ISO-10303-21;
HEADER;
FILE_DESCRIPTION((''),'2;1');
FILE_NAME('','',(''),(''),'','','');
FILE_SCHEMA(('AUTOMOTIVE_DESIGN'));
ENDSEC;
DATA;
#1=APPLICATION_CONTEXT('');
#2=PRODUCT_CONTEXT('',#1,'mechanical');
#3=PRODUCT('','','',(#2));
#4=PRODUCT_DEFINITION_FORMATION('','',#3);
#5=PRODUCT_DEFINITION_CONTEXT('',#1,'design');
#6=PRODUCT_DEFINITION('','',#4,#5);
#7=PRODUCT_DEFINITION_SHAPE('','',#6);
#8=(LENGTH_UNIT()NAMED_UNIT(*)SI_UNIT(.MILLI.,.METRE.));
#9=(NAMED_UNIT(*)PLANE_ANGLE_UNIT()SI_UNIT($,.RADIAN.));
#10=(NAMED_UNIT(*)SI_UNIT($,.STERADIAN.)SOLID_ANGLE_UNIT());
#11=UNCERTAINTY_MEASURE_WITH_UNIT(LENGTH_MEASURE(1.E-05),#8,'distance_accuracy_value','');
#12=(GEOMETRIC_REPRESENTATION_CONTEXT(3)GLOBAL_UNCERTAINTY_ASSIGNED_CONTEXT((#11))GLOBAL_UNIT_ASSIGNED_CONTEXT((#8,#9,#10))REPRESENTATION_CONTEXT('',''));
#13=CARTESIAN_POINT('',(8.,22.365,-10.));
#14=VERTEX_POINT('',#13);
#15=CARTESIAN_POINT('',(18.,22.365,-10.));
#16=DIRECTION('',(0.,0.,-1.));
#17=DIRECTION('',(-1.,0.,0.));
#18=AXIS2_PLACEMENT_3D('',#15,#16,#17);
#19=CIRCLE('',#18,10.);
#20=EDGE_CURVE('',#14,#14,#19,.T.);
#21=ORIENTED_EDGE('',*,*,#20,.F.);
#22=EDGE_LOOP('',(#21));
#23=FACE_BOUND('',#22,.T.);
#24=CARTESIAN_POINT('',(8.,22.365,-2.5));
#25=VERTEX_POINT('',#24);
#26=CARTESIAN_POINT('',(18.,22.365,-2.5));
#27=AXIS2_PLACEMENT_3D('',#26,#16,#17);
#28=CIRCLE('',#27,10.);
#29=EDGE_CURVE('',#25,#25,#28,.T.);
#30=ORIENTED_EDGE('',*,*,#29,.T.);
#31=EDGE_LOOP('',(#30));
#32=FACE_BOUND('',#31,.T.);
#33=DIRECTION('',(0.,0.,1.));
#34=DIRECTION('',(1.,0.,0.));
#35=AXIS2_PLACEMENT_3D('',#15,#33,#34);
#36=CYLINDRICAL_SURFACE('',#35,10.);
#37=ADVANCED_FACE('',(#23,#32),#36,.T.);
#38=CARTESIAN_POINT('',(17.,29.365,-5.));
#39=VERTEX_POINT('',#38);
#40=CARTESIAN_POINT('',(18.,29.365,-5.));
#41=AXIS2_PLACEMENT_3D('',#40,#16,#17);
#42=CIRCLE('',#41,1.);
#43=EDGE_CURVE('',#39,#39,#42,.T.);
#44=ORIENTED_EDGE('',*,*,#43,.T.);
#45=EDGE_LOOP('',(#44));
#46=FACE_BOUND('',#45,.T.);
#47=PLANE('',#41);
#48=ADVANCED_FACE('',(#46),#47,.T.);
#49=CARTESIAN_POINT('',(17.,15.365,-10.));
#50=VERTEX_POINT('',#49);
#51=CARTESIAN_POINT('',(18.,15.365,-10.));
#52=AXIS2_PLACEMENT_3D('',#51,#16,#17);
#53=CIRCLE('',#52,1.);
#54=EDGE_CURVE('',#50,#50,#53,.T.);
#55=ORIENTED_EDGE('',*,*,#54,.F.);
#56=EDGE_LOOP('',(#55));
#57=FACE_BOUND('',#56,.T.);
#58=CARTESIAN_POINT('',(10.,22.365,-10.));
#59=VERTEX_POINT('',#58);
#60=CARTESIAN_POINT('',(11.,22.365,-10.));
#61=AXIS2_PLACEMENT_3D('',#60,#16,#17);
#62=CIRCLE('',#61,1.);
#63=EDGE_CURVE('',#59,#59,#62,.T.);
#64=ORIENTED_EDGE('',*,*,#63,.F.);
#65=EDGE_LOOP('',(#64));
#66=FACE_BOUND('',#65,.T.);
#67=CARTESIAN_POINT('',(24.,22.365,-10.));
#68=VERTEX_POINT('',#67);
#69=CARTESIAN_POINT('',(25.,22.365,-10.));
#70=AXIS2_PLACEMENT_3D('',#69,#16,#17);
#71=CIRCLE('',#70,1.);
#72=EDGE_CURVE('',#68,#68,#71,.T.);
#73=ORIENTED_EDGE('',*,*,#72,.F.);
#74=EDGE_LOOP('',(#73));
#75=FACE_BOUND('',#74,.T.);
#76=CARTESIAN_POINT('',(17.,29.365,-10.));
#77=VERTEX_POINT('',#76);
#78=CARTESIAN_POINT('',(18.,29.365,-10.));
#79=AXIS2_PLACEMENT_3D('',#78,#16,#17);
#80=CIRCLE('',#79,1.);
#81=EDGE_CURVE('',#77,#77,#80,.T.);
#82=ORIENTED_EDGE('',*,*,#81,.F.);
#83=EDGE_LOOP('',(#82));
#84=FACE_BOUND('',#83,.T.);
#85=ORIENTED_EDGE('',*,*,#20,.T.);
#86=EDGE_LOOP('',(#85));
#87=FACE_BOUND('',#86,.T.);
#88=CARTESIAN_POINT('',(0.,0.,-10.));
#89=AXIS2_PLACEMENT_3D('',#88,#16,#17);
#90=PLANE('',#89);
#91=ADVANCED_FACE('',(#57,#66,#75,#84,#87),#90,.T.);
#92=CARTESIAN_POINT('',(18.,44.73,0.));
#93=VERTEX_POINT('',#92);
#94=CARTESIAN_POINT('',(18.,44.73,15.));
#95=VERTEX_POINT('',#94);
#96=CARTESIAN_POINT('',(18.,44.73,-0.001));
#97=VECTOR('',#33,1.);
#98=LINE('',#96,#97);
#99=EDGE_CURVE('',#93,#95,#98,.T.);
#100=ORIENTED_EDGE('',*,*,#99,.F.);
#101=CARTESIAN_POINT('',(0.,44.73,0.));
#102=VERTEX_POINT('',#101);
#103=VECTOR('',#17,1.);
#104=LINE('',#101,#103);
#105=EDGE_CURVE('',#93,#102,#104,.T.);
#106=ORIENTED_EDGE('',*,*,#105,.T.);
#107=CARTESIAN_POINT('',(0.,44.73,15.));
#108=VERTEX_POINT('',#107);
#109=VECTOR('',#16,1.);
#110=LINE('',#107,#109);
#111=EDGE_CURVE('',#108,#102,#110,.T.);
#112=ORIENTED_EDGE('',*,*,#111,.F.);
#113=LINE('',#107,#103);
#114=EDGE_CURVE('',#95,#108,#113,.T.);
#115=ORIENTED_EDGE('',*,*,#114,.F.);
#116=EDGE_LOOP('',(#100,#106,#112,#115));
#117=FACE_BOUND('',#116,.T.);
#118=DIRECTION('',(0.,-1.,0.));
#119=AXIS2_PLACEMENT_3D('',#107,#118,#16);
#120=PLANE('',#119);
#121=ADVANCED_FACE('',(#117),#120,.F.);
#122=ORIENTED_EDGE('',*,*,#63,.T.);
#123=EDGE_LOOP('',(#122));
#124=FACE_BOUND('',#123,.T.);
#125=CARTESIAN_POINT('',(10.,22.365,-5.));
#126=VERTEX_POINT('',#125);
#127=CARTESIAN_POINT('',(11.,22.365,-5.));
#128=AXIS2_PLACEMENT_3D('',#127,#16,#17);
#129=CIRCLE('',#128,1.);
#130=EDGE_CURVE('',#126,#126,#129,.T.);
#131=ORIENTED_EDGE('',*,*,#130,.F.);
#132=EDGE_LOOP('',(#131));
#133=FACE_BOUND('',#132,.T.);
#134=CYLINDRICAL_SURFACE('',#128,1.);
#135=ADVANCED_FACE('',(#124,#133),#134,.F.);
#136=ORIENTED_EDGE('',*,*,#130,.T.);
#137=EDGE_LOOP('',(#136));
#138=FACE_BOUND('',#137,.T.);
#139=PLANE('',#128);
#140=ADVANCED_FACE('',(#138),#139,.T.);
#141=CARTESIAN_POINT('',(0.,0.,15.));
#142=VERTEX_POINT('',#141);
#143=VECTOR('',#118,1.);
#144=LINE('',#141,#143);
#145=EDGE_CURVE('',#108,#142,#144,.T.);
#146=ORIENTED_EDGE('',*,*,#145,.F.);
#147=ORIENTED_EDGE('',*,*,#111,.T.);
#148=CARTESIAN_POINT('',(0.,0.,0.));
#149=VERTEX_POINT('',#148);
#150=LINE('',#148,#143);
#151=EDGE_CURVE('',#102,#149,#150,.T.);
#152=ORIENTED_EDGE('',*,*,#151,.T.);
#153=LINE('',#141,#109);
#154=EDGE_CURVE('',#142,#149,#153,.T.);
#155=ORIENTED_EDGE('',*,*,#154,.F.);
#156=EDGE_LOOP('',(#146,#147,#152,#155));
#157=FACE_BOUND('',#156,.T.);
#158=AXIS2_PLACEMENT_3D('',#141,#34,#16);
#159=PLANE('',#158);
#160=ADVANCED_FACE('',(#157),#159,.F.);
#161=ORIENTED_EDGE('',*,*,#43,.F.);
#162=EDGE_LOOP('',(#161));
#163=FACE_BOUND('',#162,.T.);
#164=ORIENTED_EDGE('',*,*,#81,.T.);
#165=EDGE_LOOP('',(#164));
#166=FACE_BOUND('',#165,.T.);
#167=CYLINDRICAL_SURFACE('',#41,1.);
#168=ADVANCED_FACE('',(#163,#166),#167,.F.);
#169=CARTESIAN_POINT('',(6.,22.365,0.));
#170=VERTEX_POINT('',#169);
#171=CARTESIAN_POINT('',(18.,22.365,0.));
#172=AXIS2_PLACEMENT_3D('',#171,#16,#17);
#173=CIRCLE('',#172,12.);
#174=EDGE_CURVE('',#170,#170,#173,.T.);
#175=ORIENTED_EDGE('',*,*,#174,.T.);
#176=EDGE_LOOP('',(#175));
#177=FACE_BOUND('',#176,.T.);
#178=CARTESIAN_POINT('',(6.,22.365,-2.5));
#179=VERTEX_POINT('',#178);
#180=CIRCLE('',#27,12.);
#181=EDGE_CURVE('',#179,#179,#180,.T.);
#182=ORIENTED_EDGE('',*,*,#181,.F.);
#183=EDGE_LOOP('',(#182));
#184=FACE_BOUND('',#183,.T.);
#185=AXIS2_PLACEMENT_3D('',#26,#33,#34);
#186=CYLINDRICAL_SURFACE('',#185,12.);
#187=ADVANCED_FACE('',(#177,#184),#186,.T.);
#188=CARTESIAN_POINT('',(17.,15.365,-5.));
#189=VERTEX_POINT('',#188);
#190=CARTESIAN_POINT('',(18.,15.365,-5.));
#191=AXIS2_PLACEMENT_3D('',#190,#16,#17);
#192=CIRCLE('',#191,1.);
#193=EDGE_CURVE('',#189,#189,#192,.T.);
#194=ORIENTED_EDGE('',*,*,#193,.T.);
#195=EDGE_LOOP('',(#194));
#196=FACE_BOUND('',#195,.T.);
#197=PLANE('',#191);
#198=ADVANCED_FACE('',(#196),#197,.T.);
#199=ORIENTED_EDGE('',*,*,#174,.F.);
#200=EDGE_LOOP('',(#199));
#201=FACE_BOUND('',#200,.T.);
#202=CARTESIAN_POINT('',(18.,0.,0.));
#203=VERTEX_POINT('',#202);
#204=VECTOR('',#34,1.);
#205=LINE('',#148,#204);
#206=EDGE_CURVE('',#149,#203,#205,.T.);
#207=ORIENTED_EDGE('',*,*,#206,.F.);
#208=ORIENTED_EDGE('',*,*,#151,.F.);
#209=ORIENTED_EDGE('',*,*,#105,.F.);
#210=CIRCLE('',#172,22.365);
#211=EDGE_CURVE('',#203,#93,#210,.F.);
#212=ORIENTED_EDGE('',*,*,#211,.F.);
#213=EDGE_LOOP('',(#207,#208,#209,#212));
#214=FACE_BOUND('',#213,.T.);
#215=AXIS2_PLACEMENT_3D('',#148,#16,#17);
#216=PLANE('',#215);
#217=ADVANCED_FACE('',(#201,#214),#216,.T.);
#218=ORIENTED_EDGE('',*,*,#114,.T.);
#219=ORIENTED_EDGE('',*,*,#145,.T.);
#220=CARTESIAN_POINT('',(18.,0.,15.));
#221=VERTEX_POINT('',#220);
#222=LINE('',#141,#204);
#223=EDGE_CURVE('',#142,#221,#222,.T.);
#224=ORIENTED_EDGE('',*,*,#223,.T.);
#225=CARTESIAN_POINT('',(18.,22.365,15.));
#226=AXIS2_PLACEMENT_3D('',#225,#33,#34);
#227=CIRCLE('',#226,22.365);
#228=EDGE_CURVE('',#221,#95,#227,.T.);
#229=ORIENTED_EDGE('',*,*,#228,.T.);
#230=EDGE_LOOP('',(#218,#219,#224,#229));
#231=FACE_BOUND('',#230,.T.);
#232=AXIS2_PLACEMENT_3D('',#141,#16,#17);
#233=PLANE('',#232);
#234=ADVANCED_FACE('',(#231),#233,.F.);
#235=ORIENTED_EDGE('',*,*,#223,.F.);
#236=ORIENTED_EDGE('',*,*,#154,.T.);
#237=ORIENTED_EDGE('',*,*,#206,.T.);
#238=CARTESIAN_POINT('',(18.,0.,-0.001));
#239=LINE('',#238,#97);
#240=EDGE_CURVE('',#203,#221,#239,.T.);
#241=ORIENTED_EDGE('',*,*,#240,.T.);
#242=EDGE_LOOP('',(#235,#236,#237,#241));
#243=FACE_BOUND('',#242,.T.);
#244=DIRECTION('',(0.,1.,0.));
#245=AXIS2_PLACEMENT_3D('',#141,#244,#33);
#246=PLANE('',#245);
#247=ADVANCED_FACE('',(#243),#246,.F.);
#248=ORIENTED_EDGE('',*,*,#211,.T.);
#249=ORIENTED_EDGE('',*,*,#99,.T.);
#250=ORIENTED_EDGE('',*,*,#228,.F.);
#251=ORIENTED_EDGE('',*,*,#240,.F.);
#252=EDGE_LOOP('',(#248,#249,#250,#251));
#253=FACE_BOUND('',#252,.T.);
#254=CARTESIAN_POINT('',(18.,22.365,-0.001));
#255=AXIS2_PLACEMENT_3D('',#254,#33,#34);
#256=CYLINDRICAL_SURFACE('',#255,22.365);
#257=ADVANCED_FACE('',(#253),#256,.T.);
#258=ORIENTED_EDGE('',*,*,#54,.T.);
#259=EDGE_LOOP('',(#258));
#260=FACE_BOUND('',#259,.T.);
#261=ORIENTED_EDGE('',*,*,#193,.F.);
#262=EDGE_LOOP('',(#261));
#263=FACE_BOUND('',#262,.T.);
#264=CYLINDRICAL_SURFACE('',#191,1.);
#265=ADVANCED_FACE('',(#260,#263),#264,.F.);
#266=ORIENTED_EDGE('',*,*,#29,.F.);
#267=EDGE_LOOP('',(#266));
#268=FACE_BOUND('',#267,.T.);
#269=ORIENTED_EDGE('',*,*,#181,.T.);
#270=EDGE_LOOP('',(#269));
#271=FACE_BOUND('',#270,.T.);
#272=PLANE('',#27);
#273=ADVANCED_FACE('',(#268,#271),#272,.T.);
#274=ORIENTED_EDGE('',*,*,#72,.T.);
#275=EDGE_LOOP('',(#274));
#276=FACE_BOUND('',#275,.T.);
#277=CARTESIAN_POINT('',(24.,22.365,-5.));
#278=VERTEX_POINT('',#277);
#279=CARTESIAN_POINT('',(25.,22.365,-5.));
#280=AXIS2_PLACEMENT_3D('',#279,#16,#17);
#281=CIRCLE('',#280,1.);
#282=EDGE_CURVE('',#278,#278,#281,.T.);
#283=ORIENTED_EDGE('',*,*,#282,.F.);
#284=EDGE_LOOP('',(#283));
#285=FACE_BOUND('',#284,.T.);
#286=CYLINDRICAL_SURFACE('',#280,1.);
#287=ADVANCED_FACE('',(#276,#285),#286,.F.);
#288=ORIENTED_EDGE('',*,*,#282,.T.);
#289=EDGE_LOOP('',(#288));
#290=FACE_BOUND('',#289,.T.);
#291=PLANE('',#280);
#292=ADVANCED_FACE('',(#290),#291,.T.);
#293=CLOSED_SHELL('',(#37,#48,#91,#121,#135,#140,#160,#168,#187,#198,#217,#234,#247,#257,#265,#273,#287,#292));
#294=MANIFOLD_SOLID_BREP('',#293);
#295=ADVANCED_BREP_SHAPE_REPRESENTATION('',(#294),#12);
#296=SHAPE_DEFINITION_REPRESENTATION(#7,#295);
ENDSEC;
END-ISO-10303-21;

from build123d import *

# Parameters (mm, degrees)
SKETCH_1_W          = 189.06
SKETCH_1_H          = 44.73
EXTRUDE_1_DEPTH     = 15
CUT_EXTRUDE_4_REACH = 196.858
SKETCH_6_R          = 10
EXTRUDE_2_DEPTH     = 10
SKETCH_7_R          = 1
CUT_EXTRUDE_6_DEPTH = 5
SKETCH_8_R          = 12
SKETCH_8_R_2        = 10
EXTRUDE_3_DEPTH     = 2.5


with BuildPart() as part:
    # 草图1 → 凸台-拉伸1 (new body)
    with BuildSketch(Plane.XY):
        with Locations((94.53, 22.365)):
            Rectangle(SKETCH_1_W, SKETCH_1_H)
    extrude(amount=EXTRUDE_1_DEPTH)

    # 草图4 → 切除-拉伸4 (cut, up to next)
    with BuildSketch(Plane.XY.offset(15), mode=Mode.PRIVATE) as cut_extrude_4_sk1:
        with BuildLine():
            Line((189.06, 44.73), (18, 44.73))
            ThreePointArc((18, 44.73), (40.365, 22.365), (18, 0))
            Line((18, 0), (189.06, 0))
            Line((189.06, 0), (189.06, 44.73))
        make_face()
    cut_extrude_4_tool1 = extrude(cut_extrude_4_sk1.sketch, amount=-CUT_EXTRUDE_4_REACH, mode=Mode.PRIVATE) & part.part
    add(cut_extrude_4_tool1.solids().sort_by_distance((112.231547, 22.365, 15))[0], mode=Mode.SUBTRACT)

    # 草图6 → 凸台-拉伸2 (add)
    with BuildSketch(Plane(origin=(0, 0, 0), x_dir=(-1, 0, 0), z_dir=(0, 0, -1))):
        with Locations((-18, 22.365)):
            Circle(SKETCH_6_R)
    extrude(amount=EXTRUDE_2_DEPTH)

    # 草图7 → 切除-拉伸6 (cut)
    with BuildSketch(Plane(origin=(0, 0, -10), x_dir=(-1, 0, 0), z_dir=(0, 0, -1))):
        with Locations((-18, 29.365)):
            Circle(SKETCH_7_R)
        with Locations((-11, 22.365)):
            Circle(SKETCH_7_R)
        with Locations((-18, 15.365)):
            Circle(SKETCH_7_R)
        with Locations((-25, 22.365)):
            Circle(SKETCH_7_R)
    extrude(amount=-CUT_EXTRUDE_6_DEPTH, mode=Mode.SUBTRACT)

    # 草图8 → 凸台-拉伸3 (add)
    with BuildSketch(Plane(origin=(0, 0, 0), x_dir=(-1, 0, 0), z_dir=(0, 0, -1))):
        with Locations((-18, 22.365)):
            Circle(SKETCH_8_R)
        with Locations((-18, 22.365)):
            Circle(SKETCH_8_R_2, mode=Mode.SUBTRACT)
    extrude(amount=EXTRUDE_3_DEPTH)


solid = part.part
